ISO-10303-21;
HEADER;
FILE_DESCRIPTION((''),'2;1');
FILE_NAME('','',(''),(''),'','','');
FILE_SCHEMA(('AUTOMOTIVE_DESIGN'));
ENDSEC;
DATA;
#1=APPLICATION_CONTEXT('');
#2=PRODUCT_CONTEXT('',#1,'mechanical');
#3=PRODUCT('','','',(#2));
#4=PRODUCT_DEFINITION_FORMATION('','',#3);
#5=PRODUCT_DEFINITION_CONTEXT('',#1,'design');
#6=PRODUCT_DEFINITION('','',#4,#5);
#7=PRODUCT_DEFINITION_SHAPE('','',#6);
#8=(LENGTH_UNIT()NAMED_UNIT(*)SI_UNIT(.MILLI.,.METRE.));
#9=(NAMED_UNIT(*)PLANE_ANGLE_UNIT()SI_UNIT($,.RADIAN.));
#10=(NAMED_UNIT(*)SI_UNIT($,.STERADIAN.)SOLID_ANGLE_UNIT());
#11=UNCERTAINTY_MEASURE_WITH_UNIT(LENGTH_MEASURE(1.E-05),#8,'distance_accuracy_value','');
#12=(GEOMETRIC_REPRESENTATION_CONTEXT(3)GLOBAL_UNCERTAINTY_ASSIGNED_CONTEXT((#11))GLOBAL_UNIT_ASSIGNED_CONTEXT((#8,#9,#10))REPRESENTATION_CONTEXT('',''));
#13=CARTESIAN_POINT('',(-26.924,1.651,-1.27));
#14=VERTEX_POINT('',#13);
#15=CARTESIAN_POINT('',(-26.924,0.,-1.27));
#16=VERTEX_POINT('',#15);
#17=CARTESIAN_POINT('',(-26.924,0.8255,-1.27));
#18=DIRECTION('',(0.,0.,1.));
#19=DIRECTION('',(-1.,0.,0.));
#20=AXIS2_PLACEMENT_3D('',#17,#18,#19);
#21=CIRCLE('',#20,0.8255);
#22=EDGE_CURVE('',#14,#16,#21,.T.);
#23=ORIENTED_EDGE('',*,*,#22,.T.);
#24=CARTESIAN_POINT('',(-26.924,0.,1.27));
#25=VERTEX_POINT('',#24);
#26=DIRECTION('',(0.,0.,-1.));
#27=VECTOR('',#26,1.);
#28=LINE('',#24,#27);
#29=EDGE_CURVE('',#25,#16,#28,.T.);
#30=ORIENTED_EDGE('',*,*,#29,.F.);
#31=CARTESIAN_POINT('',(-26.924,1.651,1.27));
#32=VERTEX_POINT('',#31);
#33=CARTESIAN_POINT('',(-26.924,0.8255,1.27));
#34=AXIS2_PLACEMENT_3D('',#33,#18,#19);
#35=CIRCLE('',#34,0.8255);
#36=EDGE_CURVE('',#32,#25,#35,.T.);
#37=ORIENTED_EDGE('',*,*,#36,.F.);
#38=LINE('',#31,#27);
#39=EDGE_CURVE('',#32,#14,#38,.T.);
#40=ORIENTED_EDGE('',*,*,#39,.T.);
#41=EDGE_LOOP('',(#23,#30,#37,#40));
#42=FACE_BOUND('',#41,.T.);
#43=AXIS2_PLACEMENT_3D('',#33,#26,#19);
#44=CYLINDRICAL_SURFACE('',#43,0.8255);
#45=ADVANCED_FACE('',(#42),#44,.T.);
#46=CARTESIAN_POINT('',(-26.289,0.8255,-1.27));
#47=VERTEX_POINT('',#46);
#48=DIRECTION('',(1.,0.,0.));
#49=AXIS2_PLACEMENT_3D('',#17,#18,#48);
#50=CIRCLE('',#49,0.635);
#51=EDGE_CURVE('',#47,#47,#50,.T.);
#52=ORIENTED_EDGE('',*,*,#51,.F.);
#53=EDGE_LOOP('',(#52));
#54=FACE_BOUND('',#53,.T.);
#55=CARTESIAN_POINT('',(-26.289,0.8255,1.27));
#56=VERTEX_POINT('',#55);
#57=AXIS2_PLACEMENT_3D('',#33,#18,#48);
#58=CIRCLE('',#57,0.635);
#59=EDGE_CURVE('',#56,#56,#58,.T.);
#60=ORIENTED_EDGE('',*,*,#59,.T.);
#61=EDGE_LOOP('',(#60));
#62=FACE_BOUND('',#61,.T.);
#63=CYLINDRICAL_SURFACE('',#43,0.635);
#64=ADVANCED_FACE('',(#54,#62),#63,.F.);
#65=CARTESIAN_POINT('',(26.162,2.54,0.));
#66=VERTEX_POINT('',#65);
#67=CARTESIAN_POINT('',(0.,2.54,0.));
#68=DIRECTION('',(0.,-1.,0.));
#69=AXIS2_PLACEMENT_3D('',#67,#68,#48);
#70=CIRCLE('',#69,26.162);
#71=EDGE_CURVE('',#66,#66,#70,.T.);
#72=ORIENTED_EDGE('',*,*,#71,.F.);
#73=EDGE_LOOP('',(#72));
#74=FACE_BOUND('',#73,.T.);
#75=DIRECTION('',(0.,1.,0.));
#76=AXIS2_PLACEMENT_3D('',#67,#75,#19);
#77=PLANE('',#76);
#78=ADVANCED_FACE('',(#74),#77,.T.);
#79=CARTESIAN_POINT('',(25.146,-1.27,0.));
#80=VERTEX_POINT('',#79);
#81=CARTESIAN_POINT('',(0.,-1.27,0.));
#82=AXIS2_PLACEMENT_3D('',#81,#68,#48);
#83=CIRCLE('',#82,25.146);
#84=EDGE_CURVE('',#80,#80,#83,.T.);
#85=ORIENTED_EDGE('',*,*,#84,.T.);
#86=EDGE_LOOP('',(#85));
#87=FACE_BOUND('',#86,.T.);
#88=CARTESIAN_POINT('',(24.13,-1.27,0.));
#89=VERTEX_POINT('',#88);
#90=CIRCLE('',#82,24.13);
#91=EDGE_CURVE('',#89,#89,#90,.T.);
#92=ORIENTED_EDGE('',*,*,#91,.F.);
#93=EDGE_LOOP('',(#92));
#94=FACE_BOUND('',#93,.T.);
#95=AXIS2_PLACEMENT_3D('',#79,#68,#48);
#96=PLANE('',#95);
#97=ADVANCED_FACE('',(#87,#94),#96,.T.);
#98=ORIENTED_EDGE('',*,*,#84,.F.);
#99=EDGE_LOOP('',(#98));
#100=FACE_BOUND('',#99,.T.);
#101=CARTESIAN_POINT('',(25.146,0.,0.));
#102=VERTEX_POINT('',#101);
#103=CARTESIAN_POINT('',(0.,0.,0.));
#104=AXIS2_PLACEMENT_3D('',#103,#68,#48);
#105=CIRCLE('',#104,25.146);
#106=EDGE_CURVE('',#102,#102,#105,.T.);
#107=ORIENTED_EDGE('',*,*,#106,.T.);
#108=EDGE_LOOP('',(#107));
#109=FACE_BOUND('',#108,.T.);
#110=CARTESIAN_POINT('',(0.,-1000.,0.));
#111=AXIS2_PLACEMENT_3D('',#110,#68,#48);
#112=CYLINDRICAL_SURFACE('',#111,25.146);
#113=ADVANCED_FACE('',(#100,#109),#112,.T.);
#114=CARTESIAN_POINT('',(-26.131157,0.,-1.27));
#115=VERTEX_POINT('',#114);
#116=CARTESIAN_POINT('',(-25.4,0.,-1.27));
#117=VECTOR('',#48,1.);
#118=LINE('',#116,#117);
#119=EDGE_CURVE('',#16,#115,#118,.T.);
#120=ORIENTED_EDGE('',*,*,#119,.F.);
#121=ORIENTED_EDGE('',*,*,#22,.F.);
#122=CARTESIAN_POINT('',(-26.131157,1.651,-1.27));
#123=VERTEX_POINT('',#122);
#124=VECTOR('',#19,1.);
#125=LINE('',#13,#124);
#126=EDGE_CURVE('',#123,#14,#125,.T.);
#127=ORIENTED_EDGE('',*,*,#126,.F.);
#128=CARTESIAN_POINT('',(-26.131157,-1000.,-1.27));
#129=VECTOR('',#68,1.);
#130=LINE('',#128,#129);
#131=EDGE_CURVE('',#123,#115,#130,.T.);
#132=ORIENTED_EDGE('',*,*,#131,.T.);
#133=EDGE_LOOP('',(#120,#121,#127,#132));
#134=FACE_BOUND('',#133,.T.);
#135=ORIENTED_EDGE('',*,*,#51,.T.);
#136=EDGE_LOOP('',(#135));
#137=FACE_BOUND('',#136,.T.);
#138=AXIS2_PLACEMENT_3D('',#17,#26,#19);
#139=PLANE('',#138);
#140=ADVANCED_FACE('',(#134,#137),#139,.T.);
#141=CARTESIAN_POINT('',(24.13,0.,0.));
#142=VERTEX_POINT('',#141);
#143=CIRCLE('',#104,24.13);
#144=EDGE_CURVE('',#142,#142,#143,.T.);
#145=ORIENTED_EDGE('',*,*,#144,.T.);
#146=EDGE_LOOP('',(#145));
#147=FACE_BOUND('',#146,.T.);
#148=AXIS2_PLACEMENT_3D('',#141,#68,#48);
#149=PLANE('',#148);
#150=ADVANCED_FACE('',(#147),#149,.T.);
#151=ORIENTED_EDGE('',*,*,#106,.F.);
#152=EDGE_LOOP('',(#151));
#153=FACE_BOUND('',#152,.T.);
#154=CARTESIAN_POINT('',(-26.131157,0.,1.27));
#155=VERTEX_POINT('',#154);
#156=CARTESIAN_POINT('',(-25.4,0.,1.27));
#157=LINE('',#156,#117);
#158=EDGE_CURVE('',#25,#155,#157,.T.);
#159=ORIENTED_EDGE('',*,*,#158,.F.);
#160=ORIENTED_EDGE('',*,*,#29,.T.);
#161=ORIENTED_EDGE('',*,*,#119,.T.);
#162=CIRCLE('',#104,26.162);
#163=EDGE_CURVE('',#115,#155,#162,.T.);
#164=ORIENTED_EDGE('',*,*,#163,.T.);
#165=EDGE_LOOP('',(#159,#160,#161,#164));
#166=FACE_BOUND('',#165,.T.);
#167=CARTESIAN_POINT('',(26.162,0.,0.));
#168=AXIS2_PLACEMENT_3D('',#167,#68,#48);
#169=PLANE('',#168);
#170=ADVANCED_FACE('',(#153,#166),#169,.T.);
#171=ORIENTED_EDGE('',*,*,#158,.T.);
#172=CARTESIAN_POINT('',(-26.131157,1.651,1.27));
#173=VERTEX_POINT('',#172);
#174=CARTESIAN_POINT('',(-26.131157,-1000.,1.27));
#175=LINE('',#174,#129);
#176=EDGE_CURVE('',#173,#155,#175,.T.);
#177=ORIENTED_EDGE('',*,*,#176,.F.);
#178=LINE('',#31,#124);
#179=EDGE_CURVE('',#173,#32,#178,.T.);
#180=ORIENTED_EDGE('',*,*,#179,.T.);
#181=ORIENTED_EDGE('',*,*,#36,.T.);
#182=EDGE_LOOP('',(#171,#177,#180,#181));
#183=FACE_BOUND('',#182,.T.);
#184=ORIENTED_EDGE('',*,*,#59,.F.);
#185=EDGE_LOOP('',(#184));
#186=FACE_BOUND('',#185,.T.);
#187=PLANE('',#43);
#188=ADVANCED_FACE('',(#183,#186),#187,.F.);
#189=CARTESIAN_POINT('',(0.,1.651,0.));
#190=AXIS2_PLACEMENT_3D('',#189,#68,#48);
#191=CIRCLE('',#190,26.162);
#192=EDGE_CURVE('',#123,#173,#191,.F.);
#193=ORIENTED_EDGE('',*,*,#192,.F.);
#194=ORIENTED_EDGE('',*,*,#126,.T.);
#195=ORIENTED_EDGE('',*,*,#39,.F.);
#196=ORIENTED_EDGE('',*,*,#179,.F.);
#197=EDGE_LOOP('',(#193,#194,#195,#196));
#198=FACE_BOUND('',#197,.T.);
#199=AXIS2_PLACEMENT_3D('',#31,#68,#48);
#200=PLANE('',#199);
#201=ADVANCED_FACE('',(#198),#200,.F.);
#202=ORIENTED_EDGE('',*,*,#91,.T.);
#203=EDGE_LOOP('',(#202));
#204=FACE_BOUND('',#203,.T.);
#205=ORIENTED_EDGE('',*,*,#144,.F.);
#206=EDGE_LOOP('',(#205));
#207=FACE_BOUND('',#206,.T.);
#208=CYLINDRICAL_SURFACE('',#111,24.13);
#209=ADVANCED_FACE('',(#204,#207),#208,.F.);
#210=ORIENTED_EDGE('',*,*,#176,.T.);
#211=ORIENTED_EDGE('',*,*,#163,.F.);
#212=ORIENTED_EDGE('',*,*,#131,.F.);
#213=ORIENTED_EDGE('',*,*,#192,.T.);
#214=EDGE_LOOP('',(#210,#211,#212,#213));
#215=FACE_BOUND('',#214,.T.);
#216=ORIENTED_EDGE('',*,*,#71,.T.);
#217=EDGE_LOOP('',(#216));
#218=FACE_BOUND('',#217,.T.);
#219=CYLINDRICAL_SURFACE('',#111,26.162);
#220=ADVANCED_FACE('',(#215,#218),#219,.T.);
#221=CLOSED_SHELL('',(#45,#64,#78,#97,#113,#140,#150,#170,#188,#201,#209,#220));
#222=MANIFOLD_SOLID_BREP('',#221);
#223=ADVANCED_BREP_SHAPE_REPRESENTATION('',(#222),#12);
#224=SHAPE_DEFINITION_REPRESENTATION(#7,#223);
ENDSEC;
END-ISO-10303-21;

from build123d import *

# Parameters (mm, degrees)
SKETCH3_R           = 0.635
BOSS_EXTRUDE1_DEPTH = 1.27


with BuildPart() as part:
    # Sketch2 → Revolve1 (revolve)
    with BuildSketch(Plane.XY):
        Polygon((0, 0), (0, 2.54), (26.162, 2.54), (26.162, 0), (25.146, 0), (25.146, -1.27), (24.13, -1.27), (24.13, 0), align=None)
    revolve(axis=Axis((0, -1000, 0), (0, 1, 0)))

    # Sketch3 → Boss-Extrude1 (add, symmetric)
    with BuildSketch(Plane.XY):
        with BuildLine():
            Line((-25.4, 1.651), (-25.4, 0))
            Line((-25.4, 0), (-26.924, 0))
            ThreePointArc((-26.924, 0), (-27.7495, 0.8255), (-26.924, 1.651))
            Line((-26.924, 1.651), (-25.4, 1.651))
        make_face()
        with Locations((-26.924, 0.8255)):
            Circle(SKETCH3_R, mode=Mode.SUBTRACT)
    extrude(amount=BOSS_EXTRUDE1_DEPTH, both=True)


solid = part.part
